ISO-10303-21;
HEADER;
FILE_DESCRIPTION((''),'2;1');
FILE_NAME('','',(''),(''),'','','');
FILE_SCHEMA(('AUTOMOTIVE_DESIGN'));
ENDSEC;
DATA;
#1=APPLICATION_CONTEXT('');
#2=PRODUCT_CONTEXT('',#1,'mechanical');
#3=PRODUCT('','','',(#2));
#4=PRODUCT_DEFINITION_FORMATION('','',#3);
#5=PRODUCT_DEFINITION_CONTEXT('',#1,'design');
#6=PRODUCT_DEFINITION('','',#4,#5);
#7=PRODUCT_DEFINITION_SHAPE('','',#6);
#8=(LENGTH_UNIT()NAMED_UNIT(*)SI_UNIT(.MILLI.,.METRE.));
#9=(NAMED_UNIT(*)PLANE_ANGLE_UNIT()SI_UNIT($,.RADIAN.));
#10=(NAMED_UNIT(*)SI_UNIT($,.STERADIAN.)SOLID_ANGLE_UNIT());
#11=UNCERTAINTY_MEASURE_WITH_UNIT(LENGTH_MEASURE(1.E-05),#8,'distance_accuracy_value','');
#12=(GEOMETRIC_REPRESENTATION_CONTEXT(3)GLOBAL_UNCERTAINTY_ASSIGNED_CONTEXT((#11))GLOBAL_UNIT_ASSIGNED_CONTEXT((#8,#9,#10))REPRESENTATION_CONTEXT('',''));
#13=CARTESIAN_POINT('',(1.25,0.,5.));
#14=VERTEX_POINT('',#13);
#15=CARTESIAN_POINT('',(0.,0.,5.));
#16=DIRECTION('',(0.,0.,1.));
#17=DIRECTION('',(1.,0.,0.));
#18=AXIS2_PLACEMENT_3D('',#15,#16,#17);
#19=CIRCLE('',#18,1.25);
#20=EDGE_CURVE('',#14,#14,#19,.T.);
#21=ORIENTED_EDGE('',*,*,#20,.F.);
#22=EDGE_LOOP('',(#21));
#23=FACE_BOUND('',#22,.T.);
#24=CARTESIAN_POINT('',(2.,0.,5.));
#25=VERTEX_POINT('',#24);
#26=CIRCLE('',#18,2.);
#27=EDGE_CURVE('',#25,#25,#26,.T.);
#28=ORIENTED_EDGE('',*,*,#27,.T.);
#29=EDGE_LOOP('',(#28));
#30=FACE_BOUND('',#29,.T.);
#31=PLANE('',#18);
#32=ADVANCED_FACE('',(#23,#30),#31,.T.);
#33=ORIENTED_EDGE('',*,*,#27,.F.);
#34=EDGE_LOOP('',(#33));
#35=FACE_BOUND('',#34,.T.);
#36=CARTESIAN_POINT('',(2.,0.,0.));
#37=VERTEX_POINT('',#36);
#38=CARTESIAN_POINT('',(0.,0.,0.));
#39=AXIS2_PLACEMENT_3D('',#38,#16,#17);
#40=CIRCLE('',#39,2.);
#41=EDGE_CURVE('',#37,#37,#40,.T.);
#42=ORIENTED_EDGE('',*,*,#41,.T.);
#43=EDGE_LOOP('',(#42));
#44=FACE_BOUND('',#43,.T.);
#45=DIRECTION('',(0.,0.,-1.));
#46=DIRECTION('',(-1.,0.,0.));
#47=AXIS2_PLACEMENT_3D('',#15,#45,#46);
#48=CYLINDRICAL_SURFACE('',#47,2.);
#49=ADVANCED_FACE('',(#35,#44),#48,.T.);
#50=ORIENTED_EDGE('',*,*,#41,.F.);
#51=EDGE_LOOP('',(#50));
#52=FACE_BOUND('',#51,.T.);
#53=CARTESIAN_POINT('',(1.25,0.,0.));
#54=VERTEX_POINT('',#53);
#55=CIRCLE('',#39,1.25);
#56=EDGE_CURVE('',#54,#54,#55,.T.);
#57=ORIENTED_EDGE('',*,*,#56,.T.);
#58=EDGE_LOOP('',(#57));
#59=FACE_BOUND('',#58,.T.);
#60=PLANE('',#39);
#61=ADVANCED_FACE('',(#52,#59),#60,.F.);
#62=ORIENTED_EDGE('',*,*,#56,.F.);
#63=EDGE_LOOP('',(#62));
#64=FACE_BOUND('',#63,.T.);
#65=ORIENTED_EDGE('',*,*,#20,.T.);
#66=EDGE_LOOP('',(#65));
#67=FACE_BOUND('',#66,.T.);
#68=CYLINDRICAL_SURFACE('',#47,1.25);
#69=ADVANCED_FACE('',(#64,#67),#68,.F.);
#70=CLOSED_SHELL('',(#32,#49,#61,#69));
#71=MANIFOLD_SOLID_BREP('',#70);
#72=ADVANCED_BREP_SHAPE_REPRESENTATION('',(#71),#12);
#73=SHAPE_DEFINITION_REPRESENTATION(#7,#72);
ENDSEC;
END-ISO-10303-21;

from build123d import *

# Parameters (mm, degrees)
SKETCH_1_R                                 = 2
SKETCH_1_R_2                               = 1.25
KNURL_OD4_LENGTH5_M3_THREAD_ENVELOPE_DEPTH = 5


with BuildPart() as part:
    # 草图1 → Knurl_OD4_length5_M3_thread_envelope (new body)
    with BuildSketch(Plane.XY):
        Circle(SKETCH_1_R)
        Circle(SKETCH_1_R_2, mode=Mode.SUBTRACT)
    extrude(amount=KNURL_OD4_LENGTH5_M3_THREAD_ENVELOPE_DEPTH)


solid = part.part
